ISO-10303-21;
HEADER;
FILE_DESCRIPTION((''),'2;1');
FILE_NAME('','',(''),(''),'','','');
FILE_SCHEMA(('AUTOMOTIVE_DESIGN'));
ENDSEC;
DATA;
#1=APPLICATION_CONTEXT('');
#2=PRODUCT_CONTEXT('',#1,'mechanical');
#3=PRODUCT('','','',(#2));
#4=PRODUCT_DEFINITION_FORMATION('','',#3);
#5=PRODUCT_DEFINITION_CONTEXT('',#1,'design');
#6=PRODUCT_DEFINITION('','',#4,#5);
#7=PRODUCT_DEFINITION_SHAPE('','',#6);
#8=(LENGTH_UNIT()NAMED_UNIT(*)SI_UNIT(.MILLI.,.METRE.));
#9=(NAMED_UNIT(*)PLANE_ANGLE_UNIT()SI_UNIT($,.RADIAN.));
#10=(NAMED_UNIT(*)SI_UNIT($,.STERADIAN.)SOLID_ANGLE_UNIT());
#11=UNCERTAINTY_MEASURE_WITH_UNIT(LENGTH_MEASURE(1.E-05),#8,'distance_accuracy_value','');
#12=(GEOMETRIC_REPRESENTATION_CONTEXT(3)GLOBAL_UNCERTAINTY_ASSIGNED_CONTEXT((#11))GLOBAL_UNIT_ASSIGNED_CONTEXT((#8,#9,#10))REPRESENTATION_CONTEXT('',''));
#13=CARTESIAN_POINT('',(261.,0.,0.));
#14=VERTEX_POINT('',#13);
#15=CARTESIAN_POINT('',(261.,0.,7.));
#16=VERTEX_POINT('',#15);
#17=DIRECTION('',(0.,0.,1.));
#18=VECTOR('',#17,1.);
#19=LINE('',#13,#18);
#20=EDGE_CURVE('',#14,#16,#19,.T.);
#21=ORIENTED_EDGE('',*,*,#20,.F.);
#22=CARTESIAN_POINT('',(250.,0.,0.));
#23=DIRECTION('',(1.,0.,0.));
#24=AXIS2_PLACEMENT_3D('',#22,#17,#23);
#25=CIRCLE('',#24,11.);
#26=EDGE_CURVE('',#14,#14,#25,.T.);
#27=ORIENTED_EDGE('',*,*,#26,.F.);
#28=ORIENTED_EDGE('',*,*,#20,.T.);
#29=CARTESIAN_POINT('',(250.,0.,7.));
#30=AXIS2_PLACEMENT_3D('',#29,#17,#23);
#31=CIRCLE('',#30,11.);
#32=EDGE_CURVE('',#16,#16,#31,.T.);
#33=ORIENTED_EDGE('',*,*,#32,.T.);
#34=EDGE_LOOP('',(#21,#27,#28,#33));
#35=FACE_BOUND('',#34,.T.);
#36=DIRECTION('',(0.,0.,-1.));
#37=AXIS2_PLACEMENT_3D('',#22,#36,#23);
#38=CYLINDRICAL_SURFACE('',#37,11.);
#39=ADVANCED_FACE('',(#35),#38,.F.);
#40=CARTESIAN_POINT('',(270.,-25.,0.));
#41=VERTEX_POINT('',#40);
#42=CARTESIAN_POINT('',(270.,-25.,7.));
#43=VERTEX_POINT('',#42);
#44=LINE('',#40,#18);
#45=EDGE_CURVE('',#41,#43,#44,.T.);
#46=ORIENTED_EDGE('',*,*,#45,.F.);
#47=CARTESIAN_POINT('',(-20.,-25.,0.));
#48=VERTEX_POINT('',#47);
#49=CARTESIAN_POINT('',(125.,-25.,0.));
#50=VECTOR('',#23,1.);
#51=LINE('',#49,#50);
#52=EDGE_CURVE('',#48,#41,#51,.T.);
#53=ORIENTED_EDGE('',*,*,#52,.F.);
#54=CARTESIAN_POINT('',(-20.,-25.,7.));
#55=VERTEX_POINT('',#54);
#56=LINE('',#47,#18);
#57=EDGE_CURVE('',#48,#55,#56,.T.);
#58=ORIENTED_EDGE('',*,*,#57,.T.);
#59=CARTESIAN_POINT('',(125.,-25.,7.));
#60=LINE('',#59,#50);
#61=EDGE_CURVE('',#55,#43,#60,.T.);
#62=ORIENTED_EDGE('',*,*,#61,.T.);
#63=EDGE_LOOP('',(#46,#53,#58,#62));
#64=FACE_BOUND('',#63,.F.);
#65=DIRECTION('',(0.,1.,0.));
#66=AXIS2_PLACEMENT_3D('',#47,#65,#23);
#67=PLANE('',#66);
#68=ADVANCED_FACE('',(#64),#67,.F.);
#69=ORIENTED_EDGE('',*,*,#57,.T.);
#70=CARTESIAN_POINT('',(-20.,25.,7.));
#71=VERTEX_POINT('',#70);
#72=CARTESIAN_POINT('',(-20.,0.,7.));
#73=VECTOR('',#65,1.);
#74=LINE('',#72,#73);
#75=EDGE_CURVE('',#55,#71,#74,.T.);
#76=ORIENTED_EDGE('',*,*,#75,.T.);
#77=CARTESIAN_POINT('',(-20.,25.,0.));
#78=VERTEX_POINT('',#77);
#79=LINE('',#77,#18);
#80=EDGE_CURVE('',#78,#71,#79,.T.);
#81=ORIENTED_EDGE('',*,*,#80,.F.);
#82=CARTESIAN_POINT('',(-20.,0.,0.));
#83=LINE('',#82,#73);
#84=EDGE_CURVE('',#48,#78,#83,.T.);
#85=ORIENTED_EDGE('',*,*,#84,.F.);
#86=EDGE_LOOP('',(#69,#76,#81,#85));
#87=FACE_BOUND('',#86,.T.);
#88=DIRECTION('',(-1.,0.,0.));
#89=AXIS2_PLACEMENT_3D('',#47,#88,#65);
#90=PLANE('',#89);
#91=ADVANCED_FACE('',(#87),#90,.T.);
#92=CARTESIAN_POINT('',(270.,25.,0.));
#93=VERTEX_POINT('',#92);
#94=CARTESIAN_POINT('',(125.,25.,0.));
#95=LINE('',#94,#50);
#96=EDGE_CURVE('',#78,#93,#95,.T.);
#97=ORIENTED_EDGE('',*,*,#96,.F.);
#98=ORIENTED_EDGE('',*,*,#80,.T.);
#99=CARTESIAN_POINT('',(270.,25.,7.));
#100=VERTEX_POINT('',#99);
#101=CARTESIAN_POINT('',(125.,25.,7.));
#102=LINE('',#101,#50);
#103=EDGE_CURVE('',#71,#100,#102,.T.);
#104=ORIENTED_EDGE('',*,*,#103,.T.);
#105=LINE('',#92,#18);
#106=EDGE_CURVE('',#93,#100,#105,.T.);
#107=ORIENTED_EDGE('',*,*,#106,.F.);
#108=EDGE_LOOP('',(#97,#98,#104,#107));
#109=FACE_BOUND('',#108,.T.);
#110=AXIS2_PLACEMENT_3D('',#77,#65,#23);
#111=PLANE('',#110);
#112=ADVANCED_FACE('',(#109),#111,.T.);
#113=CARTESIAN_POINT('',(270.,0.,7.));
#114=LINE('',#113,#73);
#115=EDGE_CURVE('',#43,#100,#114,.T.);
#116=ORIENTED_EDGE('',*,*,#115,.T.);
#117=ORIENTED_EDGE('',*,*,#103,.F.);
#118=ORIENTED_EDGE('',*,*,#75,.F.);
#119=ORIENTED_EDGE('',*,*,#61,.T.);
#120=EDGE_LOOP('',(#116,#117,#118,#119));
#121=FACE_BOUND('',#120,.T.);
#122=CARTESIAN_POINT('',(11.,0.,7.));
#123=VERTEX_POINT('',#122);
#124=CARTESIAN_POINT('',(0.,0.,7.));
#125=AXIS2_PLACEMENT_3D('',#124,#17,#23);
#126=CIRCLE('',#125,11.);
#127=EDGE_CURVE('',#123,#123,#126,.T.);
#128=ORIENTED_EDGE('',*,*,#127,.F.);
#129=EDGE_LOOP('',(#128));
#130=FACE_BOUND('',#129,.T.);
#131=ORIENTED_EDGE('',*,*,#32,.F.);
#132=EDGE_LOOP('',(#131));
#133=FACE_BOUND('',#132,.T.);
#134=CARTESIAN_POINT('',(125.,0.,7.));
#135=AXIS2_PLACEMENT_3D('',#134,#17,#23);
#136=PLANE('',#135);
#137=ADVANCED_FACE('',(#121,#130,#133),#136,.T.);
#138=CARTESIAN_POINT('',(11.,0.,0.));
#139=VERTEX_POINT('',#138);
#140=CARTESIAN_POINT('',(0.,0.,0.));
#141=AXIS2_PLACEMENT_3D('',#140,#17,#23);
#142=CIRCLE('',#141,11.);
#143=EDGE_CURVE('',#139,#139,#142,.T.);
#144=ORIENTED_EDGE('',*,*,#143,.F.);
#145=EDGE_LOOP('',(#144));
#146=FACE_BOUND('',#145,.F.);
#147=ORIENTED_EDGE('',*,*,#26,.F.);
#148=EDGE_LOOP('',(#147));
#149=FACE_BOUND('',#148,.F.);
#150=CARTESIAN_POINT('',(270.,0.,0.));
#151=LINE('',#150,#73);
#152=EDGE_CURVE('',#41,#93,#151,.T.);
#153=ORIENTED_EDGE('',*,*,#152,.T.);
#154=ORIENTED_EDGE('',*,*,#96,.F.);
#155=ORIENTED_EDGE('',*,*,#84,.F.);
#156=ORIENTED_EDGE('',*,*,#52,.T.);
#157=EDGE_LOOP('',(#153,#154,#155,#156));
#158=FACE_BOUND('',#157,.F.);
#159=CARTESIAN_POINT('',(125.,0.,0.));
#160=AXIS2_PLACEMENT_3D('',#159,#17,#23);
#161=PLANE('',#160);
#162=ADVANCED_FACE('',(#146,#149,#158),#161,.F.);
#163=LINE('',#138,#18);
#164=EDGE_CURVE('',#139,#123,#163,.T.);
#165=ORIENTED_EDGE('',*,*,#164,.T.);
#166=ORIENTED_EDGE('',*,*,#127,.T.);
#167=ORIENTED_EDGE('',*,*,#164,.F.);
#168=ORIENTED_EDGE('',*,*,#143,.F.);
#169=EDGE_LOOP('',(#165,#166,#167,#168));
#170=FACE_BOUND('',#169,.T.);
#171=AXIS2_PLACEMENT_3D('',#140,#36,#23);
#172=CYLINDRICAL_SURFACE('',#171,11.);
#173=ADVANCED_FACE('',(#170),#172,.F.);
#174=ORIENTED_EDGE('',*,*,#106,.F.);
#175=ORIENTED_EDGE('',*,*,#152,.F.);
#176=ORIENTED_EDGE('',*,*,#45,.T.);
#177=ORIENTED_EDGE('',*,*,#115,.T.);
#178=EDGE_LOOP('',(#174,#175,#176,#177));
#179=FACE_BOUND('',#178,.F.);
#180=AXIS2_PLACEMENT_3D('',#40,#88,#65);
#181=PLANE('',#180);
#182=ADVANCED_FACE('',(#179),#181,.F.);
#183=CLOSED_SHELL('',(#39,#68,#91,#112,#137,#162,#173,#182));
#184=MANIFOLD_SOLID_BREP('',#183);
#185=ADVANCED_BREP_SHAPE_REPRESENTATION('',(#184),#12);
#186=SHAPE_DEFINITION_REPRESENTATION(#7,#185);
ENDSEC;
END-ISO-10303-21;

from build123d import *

# Parameters (mm, degrees)
SKETCH_W  = 290
SKETCH_H  = 50
SKETCH_R  = 11
PAD_DEPTH = 7


with BuildPart() as part:
    # Sketch → Pad (new body)
    with BuildSketch(Plane.XY):
        with Locations((125, 0)):
            Rectangle(SKETCH_W, SKETCH_H)
        Circle(SKETCH_R, mode=Mode.SUBTRACT)
        with Locations((250, 0)):
            Circle(SKETCH_R, mode=Mode.SUBTRACT)
    extrude(amount=PAD_DEPTH)


solid = part.part
